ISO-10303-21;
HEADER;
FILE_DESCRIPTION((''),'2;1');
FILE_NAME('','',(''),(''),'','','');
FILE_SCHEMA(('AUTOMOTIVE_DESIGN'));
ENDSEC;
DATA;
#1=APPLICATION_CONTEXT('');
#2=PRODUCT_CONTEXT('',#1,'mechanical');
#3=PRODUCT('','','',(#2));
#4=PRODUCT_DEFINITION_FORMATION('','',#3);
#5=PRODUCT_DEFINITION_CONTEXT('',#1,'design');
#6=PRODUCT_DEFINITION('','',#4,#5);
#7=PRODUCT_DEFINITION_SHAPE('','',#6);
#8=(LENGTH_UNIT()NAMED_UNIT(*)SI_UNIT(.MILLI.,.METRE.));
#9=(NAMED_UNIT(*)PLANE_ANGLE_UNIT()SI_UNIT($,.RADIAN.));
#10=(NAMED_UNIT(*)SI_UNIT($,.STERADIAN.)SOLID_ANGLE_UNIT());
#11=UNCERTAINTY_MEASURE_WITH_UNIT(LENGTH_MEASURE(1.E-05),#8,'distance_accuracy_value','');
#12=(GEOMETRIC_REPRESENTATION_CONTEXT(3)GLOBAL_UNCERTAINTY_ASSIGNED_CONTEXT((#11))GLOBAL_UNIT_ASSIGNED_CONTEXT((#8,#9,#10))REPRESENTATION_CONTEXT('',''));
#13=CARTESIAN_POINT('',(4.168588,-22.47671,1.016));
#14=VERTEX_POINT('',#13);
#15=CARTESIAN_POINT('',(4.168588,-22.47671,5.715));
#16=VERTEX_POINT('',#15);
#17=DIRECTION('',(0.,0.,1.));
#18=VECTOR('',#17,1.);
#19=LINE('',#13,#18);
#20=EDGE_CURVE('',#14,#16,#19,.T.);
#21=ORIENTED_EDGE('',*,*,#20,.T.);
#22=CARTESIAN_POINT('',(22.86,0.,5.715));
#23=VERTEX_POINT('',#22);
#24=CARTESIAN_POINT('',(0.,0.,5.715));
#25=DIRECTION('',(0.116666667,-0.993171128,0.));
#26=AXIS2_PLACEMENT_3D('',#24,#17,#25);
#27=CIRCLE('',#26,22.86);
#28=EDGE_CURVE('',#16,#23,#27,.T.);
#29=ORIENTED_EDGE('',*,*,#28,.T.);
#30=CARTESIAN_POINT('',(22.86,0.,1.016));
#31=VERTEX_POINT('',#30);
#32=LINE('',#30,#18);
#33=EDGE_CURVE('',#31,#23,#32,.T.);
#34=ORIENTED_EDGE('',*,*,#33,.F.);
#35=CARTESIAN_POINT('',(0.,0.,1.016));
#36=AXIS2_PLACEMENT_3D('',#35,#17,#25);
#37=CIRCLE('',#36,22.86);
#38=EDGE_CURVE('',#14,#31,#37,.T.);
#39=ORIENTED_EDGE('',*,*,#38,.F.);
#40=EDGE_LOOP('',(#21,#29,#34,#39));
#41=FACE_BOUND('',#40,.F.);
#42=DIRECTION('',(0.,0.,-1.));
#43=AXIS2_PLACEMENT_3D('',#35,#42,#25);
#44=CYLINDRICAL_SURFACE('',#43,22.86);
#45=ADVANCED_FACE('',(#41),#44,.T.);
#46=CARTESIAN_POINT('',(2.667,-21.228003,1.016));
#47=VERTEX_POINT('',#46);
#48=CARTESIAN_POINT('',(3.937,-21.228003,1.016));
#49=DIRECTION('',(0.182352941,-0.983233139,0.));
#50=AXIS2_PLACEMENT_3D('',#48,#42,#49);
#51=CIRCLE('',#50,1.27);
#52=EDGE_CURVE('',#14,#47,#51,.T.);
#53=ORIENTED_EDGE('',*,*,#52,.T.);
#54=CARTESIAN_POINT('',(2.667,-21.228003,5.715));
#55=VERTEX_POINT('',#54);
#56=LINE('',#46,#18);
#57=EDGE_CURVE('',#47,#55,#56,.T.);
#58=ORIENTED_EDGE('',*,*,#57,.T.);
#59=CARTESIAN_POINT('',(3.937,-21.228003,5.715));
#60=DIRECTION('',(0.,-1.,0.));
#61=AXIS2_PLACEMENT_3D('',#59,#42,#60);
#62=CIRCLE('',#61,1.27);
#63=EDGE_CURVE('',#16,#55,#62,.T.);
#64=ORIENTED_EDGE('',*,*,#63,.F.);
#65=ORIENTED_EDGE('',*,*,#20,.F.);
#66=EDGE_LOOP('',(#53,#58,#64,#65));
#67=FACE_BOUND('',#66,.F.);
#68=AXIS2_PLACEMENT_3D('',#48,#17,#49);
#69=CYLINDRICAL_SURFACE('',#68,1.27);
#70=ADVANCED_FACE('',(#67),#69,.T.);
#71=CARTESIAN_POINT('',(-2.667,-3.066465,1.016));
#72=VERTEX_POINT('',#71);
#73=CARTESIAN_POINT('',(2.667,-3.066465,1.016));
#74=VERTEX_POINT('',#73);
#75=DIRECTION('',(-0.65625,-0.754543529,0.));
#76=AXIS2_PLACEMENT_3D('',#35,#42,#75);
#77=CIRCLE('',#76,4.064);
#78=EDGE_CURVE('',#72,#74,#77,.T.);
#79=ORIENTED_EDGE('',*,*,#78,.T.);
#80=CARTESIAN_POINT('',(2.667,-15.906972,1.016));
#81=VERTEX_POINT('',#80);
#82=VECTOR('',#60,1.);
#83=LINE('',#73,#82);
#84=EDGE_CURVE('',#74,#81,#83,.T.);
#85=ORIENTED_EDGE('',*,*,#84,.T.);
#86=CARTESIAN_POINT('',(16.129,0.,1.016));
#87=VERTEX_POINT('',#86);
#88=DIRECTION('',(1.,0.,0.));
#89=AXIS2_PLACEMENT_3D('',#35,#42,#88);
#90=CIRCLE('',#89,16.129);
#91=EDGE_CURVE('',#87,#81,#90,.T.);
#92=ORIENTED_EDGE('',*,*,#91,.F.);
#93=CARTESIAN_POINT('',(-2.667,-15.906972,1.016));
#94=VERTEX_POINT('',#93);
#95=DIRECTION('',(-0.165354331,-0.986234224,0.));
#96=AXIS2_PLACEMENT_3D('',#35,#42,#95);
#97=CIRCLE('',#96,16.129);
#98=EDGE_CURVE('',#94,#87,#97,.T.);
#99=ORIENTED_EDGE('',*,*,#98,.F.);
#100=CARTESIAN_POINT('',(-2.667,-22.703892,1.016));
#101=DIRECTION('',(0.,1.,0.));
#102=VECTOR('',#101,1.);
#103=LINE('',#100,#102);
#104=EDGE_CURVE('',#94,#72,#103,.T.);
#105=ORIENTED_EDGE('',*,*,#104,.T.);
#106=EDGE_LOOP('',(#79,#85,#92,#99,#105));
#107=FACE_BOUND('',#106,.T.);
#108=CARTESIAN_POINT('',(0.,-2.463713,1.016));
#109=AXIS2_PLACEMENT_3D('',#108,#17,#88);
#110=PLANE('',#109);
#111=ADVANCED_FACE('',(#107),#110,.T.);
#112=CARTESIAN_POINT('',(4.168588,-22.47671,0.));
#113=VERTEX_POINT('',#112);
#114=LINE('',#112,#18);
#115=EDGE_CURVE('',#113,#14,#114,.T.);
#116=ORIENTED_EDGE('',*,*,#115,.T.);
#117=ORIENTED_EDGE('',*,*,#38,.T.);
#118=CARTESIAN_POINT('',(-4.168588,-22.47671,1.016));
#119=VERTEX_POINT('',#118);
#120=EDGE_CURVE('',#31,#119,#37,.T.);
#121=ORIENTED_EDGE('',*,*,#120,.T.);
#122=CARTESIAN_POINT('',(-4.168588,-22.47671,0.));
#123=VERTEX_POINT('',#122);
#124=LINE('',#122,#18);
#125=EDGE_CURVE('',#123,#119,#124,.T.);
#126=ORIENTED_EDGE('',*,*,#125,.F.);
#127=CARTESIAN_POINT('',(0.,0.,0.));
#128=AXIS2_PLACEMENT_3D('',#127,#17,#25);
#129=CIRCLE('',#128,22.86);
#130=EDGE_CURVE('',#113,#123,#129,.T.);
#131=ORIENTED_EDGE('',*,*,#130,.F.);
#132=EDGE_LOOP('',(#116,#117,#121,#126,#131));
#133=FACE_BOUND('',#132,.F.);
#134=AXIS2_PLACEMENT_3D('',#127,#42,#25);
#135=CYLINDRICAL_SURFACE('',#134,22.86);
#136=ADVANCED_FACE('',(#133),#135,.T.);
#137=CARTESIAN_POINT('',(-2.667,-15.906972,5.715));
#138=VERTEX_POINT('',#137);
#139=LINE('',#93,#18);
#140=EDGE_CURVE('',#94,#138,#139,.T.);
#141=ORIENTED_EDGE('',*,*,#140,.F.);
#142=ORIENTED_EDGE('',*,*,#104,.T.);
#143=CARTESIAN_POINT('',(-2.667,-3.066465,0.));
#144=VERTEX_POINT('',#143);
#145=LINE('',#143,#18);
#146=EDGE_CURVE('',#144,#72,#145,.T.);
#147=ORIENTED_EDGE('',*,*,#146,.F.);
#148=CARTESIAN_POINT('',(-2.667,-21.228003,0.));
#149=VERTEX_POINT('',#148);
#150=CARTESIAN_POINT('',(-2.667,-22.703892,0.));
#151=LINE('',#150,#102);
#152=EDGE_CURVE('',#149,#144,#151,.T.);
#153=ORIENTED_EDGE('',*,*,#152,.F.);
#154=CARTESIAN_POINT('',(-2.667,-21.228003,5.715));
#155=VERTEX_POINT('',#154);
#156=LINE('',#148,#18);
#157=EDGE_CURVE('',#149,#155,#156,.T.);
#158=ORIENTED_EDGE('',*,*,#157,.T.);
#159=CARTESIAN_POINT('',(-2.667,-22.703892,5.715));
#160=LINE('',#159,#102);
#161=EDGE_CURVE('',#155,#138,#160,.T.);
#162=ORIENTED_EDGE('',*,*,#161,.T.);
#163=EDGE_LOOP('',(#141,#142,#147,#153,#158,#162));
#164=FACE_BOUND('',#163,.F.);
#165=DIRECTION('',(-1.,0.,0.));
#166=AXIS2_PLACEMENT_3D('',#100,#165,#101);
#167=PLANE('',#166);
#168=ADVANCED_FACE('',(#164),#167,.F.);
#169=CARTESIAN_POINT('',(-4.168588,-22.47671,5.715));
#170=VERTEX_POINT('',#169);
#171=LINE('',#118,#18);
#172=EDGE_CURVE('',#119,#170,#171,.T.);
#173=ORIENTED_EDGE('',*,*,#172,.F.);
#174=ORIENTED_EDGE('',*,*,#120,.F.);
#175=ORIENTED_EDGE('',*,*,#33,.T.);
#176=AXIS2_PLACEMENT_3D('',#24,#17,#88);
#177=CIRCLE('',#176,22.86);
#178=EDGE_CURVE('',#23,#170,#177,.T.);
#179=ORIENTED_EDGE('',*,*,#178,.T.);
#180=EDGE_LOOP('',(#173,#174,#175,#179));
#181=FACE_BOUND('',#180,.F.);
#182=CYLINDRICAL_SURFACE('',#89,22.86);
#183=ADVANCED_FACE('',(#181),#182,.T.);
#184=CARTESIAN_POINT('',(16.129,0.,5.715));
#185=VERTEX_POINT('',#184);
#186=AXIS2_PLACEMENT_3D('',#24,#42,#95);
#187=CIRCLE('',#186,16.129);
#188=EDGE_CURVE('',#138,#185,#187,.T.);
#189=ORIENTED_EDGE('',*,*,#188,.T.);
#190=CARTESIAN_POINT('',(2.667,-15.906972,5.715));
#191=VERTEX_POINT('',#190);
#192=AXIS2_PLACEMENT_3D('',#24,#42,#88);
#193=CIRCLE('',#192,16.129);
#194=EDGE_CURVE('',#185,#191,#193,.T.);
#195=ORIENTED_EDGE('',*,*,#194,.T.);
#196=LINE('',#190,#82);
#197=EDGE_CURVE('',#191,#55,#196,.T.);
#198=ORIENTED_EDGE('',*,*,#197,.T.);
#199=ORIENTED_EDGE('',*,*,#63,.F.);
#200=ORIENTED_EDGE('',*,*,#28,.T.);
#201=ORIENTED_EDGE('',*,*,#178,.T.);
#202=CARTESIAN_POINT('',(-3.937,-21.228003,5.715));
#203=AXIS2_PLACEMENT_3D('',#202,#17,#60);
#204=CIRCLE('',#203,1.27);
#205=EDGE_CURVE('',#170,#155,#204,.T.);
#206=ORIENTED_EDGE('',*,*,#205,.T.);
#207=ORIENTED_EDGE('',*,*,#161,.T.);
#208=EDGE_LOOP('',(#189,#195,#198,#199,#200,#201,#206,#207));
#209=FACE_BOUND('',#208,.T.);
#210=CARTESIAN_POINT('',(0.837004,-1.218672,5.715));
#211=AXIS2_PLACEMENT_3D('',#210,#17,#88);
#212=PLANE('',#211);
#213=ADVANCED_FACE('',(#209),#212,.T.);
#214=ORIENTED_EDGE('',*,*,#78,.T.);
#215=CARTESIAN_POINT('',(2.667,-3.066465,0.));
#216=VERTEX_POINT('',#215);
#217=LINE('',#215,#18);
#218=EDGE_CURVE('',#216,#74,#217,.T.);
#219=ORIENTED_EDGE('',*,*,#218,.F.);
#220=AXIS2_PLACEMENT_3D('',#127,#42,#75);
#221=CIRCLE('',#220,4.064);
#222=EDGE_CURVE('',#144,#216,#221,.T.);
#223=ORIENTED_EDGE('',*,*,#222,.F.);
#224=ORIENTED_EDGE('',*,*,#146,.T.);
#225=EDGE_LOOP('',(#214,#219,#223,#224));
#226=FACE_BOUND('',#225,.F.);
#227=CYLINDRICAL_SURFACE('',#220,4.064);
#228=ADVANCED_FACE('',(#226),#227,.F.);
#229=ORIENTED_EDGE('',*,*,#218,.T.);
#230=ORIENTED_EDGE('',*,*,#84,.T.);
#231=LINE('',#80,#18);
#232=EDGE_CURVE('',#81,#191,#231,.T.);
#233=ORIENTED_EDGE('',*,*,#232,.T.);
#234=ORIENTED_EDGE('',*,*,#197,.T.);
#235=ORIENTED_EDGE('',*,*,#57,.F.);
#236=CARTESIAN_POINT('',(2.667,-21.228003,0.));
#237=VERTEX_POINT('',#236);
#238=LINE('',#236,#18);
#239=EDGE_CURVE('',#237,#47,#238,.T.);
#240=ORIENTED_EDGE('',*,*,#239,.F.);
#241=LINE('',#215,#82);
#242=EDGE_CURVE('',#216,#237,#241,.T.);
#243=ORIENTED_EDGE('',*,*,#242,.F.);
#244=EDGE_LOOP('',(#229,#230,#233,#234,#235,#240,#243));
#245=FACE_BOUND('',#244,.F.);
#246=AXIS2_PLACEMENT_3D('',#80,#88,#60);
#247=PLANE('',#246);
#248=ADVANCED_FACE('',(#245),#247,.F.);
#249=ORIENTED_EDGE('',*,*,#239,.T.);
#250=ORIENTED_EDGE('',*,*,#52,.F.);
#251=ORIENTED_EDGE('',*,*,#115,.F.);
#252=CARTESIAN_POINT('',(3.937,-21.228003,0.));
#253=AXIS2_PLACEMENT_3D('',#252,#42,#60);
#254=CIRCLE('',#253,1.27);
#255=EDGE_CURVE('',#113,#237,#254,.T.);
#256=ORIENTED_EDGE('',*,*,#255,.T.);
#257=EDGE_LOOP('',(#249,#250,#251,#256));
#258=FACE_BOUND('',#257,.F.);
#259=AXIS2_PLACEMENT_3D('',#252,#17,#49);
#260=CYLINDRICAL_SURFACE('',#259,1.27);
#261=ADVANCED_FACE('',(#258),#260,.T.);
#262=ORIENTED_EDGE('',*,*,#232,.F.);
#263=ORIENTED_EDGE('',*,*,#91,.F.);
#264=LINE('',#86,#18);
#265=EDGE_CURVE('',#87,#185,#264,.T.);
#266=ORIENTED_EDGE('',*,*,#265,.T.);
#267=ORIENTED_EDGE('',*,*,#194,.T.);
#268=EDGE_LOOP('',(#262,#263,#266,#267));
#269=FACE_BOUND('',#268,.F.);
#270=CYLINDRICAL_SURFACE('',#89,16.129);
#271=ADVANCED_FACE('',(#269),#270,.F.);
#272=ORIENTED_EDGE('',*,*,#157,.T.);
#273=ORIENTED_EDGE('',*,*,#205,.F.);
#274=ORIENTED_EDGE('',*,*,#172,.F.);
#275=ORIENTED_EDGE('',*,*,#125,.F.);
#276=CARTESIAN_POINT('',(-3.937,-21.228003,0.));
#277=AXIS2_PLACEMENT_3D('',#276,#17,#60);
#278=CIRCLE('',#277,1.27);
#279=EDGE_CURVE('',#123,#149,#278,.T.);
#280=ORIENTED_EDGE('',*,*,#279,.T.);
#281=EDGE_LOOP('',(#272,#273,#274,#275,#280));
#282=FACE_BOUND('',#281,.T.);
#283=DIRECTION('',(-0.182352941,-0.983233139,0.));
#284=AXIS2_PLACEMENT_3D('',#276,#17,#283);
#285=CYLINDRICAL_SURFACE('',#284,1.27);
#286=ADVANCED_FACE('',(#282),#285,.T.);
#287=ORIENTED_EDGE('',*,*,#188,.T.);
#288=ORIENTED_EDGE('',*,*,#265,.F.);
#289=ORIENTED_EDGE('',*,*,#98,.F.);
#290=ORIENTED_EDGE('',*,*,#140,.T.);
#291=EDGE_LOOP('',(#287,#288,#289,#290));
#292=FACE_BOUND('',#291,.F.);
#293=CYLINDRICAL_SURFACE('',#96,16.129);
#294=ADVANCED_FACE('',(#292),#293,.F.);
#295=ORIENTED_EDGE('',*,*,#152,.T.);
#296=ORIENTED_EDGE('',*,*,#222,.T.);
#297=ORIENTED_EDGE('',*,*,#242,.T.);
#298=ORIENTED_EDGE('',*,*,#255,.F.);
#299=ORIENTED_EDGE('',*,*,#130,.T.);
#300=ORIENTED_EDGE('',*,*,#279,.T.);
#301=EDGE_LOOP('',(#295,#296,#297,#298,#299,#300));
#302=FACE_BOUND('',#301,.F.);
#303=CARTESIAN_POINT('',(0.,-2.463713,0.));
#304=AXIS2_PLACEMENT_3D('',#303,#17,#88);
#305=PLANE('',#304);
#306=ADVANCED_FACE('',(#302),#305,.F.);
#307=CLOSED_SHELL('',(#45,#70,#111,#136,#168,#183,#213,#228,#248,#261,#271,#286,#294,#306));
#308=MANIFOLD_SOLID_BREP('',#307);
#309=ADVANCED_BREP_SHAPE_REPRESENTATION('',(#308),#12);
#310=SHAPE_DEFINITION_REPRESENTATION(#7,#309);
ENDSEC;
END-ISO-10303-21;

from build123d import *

# Parameters (mm, degrees)
F1_DEPTH = 1.016
F3_DEPTH = 4.699
F4_R     = 1.27


with BuildPart() as f1:
    # F0 (on Top) → F1 (new body)
    with BuildSketch(Plane.XY):
        with BuildLine():
            ThreePointArc((-2.667, -3.0664649028), (0, 4.064), (2.667, -3.0664649028))
            Line((2.667, -3.0664649028), (2.667, -22.7038919791))
            ThreePointArc((2.667, -22.7038919791), (0, 22.86), (-2.667, -22.7038919791))
            Line((-2.667, -22.7038919791), (-2.667, -3.0664649028))
        make_face()
    extrude(amount=F1_DEPTH)

    # F2 (on face) → F3 (join)
    with BuildSketch(Plane.XY.offset(1.016)):
        with BuildLine():
            ThreePointArc((2.667, -22.7038919791), (17.0813819699, -15.1923003525), (22.86, 0))
            ThreePointArc((22.86, 0), (-15.1923003525, 17.0813819699), (-2.667, -22.7038919791))
            Line((-2.667, -22.7038919791), (-2.667, -15.9069718048))
            ThreePointArc((-2.667, -15.9069718048), (-10.4194193216, 12.3117968632), (16.129, 0))
            ThreePointArc((16.129, 0), (12.3117968632, -10.4194193216), (2.667, -15.9069718048))
            Line((2.667, -15.9069718048), (2.667, -22.7038919791))
        make_face()
    extrude(amount=F3_DEPTH)

    # F4
    f4_edges = [f1.edges().sort_by_distance(p)[0] for p in [
        (-2.667, -22.703892, 2.8575),
        (2.667, -22.703892, 2.8575),
    ]]
    fillet(f4_edges, radius=F4_R)


solid = f1.part
